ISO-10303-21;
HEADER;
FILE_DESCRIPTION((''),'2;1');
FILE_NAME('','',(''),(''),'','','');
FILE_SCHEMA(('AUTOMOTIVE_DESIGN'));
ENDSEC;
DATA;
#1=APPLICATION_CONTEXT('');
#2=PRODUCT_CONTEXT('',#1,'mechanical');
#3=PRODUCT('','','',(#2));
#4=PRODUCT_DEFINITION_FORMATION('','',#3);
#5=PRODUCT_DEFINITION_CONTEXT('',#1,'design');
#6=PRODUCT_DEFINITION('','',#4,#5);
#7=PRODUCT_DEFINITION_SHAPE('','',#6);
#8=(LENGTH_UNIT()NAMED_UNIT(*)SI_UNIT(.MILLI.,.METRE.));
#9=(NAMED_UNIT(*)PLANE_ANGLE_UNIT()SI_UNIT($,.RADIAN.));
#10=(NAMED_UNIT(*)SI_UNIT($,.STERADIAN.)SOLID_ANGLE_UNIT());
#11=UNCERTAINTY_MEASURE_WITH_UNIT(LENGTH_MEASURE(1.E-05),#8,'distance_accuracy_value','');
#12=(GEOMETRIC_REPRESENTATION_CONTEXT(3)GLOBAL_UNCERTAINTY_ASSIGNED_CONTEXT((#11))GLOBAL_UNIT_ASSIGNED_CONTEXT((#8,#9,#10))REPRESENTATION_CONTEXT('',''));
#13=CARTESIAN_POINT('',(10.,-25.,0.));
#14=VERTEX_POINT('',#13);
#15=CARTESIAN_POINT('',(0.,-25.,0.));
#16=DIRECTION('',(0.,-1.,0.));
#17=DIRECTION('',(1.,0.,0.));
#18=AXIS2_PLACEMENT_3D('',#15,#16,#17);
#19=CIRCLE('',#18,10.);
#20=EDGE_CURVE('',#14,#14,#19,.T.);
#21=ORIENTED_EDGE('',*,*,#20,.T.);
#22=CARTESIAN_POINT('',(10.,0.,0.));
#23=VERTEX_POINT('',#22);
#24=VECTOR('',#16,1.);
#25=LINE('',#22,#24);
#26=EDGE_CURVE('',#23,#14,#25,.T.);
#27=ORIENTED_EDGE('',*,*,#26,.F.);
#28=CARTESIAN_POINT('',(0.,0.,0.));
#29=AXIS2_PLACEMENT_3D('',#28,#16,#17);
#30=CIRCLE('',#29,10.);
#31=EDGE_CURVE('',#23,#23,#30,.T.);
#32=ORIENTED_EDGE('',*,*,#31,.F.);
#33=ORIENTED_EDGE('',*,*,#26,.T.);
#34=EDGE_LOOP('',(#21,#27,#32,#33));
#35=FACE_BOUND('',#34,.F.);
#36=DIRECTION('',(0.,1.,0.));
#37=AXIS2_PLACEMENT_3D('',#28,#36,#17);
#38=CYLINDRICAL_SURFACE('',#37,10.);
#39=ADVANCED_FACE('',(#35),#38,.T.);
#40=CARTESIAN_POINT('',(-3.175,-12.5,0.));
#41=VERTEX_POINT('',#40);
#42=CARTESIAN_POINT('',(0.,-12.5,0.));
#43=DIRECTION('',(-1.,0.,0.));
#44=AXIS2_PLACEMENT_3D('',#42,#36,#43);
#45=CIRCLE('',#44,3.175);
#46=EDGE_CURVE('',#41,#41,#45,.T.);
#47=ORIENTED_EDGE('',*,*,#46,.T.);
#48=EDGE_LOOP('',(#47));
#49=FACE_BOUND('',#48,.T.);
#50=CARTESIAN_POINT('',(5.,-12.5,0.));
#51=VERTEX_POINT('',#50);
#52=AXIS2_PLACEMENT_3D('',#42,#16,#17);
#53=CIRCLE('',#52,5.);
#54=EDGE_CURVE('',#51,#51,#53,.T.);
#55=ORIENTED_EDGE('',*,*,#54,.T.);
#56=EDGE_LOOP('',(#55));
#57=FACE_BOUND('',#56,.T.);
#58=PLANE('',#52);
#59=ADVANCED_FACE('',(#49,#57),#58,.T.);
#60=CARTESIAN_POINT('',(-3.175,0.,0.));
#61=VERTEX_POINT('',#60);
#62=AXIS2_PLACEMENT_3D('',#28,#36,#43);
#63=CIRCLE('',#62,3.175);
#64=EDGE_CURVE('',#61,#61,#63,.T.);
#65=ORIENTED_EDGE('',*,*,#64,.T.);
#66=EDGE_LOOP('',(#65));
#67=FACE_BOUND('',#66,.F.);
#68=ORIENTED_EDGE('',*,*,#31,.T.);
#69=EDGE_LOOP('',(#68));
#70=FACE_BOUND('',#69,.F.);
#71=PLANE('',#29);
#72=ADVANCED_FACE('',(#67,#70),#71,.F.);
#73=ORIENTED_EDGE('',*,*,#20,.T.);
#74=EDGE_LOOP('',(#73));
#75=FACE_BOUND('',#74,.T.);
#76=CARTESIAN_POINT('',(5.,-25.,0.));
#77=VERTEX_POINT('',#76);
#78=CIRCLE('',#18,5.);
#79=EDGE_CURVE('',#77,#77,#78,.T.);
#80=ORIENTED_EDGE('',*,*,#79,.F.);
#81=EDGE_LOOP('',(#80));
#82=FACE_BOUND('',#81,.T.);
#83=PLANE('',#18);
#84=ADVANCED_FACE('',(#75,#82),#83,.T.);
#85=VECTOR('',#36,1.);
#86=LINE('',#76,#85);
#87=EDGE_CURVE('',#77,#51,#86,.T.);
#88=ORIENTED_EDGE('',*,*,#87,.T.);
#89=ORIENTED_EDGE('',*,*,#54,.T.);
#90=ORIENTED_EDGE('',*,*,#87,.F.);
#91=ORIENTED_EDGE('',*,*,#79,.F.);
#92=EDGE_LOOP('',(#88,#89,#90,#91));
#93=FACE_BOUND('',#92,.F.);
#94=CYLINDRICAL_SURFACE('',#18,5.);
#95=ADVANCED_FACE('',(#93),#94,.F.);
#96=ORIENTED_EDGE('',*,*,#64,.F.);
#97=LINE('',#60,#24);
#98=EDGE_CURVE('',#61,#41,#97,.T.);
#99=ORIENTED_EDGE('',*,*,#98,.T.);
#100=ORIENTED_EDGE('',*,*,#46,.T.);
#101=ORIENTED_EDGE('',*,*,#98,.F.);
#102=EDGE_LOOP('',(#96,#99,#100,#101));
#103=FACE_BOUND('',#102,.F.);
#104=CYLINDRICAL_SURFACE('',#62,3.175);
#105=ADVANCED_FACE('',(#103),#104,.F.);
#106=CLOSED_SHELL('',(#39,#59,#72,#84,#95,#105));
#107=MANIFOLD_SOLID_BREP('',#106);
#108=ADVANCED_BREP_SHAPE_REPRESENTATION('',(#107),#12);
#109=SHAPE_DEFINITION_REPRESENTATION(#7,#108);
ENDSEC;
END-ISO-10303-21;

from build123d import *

# Parameters (mm, degrees)
F0_R     = 10
F1_DEPTH = 25
F2_R     = 5
F3_DEPTH = 12.5
F4_R     = 3.175
F5_DEPTH = 25.001


with BuildPart() as f1:
    # F0 (on Front) → F1 (new body)
    with BuildSketch(Plane.XZ):
        Circle(F0_R)
    extrude(amount=F1_DEPTH)

    # F2 (on face) → F3 (cut)
    with BuildSketch(Plane.XZ.offset(25)):
        Circle(F2_R)
    extrude(amount=-F3_DEPTH, mode=Mode.SUBTRACT)

    # F4 (on face) → F5 (cut, through all)
    with BuildSketch(Plane(origin=(0, 0, 0), x_dir=(-1, 0, 0), z_dir=(0, 1, 0))):
        Circle(F4_R)
    extrude(amount=-F5_DEPTH, mode=Mode.SUBTRACT)


solid = f1.part
